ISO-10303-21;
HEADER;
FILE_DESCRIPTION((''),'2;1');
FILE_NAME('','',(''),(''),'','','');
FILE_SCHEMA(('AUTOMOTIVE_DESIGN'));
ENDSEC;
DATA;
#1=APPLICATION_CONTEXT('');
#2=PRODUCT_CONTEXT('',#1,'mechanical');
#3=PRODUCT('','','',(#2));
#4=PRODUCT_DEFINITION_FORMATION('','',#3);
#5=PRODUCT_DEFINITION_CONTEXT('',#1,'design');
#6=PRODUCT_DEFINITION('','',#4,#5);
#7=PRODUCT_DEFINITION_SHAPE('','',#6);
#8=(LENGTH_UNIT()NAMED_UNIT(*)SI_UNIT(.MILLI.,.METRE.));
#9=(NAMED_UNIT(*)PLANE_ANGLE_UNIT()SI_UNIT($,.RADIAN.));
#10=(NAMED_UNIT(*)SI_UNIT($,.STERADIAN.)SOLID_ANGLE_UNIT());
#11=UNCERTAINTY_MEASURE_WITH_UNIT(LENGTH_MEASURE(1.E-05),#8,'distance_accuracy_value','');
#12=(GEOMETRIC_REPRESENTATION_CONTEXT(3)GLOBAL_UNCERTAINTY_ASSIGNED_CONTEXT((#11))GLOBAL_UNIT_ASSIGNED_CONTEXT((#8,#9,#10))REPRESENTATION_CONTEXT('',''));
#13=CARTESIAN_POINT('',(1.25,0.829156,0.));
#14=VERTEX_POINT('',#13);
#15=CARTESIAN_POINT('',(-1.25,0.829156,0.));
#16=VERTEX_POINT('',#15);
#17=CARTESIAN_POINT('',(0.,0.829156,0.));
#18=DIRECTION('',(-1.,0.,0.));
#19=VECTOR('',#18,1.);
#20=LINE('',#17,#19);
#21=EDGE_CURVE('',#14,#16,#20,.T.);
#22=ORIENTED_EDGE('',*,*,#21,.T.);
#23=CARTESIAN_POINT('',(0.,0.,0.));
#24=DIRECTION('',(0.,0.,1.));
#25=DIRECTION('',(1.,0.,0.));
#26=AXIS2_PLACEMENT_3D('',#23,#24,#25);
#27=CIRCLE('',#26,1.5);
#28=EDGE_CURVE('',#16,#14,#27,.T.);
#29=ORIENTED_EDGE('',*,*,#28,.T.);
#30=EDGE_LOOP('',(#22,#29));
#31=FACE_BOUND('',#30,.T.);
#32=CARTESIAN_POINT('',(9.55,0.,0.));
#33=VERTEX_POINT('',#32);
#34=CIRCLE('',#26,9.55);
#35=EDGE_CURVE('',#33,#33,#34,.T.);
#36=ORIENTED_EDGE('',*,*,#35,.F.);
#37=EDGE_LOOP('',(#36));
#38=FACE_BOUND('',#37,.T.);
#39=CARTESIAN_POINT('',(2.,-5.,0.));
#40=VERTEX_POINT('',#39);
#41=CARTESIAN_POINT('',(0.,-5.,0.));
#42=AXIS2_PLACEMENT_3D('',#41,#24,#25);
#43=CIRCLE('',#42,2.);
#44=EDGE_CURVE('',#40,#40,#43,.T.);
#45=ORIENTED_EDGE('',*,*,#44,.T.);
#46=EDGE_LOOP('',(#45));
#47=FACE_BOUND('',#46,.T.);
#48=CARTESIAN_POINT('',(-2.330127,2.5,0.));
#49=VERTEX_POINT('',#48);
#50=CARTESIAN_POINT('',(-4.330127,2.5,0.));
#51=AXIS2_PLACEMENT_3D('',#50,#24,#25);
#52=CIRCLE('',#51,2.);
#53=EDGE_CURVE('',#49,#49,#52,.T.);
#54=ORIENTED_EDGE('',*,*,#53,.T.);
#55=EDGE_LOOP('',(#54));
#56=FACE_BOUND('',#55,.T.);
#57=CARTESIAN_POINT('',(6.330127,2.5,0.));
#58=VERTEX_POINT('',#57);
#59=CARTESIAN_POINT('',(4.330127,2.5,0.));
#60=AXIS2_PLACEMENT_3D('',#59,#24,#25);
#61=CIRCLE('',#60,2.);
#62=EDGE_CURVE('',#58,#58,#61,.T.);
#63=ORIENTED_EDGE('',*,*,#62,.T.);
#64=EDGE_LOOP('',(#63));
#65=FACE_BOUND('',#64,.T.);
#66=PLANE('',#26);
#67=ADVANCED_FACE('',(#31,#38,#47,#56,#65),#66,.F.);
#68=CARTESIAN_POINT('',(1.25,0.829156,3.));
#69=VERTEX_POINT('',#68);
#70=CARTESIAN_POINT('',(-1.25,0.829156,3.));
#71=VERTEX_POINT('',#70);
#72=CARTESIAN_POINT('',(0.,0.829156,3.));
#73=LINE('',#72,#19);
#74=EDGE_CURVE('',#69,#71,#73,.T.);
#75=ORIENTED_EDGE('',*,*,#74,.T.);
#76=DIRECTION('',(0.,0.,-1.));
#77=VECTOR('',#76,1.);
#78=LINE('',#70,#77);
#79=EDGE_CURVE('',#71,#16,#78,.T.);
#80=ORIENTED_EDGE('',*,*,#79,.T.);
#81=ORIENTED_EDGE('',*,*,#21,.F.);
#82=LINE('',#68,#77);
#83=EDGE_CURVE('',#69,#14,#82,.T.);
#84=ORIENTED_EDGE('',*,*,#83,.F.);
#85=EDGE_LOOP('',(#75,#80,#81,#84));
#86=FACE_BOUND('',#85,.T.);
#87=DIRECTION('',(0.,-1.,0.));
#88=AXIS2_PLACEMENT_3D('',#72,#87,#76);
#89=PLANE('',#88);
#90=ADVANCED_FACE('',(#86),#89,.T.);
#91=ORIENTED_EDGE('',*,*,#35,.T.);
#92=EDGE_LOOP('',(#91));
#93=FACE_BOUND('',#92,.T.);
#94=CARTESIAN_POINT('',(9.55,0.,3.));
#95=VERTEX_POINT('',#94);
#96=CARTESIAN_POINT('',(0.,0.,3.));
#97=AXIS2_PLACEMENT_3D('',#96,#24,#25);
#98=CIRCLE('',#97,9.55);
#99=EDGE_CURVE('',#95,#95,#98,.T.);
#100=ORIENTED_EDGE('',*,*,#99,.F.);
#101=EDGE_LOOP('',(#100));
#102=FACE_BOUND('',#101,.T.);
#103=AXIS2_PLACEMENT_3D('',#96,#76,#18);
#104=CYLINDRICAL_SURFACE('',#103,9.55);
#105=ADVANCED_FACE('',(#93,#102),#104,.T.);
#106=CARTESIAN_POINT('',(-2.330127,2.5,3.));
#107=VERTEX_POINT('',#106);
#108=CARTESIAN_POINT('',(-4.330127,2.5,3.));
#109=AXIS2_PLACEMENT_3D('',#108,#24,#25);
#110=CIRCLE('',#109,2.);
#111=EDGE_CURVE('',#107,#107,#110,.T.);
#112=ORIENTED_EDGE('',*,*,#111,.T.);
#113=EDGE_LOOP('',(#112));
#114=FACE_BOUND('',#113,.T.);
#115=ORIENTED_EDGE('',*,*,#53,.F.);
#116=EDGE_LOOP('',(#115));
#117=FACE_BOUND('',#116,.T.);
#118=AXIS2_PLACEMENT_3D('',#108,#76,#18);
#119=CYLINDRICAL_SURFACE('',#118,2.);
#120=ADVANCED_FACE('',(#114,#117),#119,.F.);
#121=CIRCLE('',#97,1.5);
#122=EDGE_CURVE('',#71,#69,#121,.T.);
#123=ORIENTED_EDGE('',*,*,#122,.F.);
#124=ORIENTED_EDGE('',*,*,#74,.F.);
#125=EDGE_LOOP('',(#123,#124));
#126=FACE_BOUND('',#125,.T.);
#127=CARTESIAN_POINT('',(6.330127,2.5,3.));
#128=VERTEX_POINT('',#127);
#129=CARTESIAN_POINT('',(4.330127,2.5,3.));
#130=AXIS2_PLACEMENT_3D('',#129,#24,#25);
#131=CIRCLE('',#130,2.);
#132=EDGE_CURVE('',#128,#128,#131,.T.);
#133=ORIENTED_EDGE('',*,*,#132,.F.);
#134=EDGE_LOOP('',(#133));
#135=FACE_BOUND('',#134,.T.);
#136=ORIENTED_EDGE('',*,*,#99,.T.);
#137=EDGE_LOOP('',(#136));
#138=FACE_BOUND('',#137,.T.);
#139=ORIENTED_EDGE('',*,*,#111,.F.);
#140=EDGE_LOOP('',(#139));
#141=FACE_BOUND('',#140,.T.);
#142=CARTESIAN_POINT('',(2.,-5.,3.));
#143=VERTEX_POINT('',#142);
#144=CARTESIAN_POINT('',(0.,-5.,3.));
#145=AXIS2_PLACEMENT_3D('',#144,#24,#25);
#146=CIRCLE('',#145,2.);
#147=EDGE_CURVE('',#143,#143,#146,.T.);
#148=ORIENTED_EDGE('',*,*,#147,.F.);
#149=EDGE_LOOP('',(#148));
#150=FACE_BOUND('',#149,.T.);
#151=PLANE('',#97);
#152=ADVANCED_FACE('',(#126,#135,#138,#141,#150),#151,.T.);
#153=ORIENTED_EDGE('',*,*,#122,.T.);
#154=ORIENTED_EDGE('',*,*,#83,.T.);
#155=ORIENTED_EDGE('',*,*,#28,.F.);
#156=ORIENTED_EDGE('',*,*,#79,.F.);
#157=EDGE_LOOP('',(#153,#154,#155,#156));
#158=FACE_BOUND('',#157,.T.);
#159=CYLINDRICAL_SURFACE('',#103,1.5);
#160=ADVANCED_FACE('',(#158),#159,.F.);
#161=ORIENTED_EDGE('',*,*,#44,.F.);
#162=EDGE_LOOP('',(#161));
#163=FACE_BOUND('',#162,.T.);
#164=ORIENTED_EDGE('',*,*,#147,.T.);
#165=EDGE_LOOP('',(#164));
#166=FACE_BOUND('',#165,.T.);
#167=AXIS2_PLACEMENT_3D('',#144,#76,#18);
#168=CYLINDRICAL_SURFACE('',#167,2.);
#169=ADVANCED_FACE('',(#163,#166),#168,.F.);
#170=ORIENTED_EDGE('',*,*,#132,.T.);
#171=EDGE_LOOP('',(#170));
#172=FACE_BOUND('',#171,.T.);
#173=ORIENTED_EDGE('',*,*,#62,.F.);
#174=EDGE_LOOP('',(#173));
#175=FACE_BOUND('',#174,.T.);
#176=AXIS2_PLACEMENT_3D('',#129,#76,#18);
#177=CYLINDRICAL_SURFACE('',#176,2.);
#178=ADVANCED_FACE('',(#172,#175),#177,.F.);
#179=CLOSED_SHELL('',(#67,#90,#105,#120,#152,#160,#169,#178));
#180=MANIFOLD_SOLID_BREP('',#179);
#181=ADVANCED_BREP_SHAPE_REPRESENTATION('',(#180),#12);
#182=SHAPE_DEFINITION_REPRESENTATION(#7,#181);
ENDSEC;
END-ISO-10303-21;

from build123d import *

# Parameters (mm, degrees)
SKETCH1_R           = 9.55
SKETCH1_R_2         = 2
BOSS_EXTRUDE1_DEPTH = 3


with BuildPart() as part:
    # Sketch1 → Boss-Extrude1 (new body)
    with BuildSketch(Plane.XY):
        Circle(SKETCH1_R)
        with BuildLine():
            Line((-1.25, 0.829156198), (1.25, 0.829156198))
            ThreePointArc((1.25, 0.829156198), (0, -1.5), (-1.25, 0.829156198))
        make_face(mode=Mode.SUBTRACT)
        with Locations((0, -5)):
            Circle(SKETCH1_R_2, mode=Mode.SUBTRACT)
        with Locations((-4.330127019, 2.5)):
            Circle(SKETCH1_R_2, mode=Mode.SUBTRACT)
        with Locations((4.330127019, 2.5)):
            Circle(SKETCH1_R_2, mode=Mode.SUBTRACT)
    extrude(amount=BOSS_EXTRUDE1_DEPTH)


solid = part.part
